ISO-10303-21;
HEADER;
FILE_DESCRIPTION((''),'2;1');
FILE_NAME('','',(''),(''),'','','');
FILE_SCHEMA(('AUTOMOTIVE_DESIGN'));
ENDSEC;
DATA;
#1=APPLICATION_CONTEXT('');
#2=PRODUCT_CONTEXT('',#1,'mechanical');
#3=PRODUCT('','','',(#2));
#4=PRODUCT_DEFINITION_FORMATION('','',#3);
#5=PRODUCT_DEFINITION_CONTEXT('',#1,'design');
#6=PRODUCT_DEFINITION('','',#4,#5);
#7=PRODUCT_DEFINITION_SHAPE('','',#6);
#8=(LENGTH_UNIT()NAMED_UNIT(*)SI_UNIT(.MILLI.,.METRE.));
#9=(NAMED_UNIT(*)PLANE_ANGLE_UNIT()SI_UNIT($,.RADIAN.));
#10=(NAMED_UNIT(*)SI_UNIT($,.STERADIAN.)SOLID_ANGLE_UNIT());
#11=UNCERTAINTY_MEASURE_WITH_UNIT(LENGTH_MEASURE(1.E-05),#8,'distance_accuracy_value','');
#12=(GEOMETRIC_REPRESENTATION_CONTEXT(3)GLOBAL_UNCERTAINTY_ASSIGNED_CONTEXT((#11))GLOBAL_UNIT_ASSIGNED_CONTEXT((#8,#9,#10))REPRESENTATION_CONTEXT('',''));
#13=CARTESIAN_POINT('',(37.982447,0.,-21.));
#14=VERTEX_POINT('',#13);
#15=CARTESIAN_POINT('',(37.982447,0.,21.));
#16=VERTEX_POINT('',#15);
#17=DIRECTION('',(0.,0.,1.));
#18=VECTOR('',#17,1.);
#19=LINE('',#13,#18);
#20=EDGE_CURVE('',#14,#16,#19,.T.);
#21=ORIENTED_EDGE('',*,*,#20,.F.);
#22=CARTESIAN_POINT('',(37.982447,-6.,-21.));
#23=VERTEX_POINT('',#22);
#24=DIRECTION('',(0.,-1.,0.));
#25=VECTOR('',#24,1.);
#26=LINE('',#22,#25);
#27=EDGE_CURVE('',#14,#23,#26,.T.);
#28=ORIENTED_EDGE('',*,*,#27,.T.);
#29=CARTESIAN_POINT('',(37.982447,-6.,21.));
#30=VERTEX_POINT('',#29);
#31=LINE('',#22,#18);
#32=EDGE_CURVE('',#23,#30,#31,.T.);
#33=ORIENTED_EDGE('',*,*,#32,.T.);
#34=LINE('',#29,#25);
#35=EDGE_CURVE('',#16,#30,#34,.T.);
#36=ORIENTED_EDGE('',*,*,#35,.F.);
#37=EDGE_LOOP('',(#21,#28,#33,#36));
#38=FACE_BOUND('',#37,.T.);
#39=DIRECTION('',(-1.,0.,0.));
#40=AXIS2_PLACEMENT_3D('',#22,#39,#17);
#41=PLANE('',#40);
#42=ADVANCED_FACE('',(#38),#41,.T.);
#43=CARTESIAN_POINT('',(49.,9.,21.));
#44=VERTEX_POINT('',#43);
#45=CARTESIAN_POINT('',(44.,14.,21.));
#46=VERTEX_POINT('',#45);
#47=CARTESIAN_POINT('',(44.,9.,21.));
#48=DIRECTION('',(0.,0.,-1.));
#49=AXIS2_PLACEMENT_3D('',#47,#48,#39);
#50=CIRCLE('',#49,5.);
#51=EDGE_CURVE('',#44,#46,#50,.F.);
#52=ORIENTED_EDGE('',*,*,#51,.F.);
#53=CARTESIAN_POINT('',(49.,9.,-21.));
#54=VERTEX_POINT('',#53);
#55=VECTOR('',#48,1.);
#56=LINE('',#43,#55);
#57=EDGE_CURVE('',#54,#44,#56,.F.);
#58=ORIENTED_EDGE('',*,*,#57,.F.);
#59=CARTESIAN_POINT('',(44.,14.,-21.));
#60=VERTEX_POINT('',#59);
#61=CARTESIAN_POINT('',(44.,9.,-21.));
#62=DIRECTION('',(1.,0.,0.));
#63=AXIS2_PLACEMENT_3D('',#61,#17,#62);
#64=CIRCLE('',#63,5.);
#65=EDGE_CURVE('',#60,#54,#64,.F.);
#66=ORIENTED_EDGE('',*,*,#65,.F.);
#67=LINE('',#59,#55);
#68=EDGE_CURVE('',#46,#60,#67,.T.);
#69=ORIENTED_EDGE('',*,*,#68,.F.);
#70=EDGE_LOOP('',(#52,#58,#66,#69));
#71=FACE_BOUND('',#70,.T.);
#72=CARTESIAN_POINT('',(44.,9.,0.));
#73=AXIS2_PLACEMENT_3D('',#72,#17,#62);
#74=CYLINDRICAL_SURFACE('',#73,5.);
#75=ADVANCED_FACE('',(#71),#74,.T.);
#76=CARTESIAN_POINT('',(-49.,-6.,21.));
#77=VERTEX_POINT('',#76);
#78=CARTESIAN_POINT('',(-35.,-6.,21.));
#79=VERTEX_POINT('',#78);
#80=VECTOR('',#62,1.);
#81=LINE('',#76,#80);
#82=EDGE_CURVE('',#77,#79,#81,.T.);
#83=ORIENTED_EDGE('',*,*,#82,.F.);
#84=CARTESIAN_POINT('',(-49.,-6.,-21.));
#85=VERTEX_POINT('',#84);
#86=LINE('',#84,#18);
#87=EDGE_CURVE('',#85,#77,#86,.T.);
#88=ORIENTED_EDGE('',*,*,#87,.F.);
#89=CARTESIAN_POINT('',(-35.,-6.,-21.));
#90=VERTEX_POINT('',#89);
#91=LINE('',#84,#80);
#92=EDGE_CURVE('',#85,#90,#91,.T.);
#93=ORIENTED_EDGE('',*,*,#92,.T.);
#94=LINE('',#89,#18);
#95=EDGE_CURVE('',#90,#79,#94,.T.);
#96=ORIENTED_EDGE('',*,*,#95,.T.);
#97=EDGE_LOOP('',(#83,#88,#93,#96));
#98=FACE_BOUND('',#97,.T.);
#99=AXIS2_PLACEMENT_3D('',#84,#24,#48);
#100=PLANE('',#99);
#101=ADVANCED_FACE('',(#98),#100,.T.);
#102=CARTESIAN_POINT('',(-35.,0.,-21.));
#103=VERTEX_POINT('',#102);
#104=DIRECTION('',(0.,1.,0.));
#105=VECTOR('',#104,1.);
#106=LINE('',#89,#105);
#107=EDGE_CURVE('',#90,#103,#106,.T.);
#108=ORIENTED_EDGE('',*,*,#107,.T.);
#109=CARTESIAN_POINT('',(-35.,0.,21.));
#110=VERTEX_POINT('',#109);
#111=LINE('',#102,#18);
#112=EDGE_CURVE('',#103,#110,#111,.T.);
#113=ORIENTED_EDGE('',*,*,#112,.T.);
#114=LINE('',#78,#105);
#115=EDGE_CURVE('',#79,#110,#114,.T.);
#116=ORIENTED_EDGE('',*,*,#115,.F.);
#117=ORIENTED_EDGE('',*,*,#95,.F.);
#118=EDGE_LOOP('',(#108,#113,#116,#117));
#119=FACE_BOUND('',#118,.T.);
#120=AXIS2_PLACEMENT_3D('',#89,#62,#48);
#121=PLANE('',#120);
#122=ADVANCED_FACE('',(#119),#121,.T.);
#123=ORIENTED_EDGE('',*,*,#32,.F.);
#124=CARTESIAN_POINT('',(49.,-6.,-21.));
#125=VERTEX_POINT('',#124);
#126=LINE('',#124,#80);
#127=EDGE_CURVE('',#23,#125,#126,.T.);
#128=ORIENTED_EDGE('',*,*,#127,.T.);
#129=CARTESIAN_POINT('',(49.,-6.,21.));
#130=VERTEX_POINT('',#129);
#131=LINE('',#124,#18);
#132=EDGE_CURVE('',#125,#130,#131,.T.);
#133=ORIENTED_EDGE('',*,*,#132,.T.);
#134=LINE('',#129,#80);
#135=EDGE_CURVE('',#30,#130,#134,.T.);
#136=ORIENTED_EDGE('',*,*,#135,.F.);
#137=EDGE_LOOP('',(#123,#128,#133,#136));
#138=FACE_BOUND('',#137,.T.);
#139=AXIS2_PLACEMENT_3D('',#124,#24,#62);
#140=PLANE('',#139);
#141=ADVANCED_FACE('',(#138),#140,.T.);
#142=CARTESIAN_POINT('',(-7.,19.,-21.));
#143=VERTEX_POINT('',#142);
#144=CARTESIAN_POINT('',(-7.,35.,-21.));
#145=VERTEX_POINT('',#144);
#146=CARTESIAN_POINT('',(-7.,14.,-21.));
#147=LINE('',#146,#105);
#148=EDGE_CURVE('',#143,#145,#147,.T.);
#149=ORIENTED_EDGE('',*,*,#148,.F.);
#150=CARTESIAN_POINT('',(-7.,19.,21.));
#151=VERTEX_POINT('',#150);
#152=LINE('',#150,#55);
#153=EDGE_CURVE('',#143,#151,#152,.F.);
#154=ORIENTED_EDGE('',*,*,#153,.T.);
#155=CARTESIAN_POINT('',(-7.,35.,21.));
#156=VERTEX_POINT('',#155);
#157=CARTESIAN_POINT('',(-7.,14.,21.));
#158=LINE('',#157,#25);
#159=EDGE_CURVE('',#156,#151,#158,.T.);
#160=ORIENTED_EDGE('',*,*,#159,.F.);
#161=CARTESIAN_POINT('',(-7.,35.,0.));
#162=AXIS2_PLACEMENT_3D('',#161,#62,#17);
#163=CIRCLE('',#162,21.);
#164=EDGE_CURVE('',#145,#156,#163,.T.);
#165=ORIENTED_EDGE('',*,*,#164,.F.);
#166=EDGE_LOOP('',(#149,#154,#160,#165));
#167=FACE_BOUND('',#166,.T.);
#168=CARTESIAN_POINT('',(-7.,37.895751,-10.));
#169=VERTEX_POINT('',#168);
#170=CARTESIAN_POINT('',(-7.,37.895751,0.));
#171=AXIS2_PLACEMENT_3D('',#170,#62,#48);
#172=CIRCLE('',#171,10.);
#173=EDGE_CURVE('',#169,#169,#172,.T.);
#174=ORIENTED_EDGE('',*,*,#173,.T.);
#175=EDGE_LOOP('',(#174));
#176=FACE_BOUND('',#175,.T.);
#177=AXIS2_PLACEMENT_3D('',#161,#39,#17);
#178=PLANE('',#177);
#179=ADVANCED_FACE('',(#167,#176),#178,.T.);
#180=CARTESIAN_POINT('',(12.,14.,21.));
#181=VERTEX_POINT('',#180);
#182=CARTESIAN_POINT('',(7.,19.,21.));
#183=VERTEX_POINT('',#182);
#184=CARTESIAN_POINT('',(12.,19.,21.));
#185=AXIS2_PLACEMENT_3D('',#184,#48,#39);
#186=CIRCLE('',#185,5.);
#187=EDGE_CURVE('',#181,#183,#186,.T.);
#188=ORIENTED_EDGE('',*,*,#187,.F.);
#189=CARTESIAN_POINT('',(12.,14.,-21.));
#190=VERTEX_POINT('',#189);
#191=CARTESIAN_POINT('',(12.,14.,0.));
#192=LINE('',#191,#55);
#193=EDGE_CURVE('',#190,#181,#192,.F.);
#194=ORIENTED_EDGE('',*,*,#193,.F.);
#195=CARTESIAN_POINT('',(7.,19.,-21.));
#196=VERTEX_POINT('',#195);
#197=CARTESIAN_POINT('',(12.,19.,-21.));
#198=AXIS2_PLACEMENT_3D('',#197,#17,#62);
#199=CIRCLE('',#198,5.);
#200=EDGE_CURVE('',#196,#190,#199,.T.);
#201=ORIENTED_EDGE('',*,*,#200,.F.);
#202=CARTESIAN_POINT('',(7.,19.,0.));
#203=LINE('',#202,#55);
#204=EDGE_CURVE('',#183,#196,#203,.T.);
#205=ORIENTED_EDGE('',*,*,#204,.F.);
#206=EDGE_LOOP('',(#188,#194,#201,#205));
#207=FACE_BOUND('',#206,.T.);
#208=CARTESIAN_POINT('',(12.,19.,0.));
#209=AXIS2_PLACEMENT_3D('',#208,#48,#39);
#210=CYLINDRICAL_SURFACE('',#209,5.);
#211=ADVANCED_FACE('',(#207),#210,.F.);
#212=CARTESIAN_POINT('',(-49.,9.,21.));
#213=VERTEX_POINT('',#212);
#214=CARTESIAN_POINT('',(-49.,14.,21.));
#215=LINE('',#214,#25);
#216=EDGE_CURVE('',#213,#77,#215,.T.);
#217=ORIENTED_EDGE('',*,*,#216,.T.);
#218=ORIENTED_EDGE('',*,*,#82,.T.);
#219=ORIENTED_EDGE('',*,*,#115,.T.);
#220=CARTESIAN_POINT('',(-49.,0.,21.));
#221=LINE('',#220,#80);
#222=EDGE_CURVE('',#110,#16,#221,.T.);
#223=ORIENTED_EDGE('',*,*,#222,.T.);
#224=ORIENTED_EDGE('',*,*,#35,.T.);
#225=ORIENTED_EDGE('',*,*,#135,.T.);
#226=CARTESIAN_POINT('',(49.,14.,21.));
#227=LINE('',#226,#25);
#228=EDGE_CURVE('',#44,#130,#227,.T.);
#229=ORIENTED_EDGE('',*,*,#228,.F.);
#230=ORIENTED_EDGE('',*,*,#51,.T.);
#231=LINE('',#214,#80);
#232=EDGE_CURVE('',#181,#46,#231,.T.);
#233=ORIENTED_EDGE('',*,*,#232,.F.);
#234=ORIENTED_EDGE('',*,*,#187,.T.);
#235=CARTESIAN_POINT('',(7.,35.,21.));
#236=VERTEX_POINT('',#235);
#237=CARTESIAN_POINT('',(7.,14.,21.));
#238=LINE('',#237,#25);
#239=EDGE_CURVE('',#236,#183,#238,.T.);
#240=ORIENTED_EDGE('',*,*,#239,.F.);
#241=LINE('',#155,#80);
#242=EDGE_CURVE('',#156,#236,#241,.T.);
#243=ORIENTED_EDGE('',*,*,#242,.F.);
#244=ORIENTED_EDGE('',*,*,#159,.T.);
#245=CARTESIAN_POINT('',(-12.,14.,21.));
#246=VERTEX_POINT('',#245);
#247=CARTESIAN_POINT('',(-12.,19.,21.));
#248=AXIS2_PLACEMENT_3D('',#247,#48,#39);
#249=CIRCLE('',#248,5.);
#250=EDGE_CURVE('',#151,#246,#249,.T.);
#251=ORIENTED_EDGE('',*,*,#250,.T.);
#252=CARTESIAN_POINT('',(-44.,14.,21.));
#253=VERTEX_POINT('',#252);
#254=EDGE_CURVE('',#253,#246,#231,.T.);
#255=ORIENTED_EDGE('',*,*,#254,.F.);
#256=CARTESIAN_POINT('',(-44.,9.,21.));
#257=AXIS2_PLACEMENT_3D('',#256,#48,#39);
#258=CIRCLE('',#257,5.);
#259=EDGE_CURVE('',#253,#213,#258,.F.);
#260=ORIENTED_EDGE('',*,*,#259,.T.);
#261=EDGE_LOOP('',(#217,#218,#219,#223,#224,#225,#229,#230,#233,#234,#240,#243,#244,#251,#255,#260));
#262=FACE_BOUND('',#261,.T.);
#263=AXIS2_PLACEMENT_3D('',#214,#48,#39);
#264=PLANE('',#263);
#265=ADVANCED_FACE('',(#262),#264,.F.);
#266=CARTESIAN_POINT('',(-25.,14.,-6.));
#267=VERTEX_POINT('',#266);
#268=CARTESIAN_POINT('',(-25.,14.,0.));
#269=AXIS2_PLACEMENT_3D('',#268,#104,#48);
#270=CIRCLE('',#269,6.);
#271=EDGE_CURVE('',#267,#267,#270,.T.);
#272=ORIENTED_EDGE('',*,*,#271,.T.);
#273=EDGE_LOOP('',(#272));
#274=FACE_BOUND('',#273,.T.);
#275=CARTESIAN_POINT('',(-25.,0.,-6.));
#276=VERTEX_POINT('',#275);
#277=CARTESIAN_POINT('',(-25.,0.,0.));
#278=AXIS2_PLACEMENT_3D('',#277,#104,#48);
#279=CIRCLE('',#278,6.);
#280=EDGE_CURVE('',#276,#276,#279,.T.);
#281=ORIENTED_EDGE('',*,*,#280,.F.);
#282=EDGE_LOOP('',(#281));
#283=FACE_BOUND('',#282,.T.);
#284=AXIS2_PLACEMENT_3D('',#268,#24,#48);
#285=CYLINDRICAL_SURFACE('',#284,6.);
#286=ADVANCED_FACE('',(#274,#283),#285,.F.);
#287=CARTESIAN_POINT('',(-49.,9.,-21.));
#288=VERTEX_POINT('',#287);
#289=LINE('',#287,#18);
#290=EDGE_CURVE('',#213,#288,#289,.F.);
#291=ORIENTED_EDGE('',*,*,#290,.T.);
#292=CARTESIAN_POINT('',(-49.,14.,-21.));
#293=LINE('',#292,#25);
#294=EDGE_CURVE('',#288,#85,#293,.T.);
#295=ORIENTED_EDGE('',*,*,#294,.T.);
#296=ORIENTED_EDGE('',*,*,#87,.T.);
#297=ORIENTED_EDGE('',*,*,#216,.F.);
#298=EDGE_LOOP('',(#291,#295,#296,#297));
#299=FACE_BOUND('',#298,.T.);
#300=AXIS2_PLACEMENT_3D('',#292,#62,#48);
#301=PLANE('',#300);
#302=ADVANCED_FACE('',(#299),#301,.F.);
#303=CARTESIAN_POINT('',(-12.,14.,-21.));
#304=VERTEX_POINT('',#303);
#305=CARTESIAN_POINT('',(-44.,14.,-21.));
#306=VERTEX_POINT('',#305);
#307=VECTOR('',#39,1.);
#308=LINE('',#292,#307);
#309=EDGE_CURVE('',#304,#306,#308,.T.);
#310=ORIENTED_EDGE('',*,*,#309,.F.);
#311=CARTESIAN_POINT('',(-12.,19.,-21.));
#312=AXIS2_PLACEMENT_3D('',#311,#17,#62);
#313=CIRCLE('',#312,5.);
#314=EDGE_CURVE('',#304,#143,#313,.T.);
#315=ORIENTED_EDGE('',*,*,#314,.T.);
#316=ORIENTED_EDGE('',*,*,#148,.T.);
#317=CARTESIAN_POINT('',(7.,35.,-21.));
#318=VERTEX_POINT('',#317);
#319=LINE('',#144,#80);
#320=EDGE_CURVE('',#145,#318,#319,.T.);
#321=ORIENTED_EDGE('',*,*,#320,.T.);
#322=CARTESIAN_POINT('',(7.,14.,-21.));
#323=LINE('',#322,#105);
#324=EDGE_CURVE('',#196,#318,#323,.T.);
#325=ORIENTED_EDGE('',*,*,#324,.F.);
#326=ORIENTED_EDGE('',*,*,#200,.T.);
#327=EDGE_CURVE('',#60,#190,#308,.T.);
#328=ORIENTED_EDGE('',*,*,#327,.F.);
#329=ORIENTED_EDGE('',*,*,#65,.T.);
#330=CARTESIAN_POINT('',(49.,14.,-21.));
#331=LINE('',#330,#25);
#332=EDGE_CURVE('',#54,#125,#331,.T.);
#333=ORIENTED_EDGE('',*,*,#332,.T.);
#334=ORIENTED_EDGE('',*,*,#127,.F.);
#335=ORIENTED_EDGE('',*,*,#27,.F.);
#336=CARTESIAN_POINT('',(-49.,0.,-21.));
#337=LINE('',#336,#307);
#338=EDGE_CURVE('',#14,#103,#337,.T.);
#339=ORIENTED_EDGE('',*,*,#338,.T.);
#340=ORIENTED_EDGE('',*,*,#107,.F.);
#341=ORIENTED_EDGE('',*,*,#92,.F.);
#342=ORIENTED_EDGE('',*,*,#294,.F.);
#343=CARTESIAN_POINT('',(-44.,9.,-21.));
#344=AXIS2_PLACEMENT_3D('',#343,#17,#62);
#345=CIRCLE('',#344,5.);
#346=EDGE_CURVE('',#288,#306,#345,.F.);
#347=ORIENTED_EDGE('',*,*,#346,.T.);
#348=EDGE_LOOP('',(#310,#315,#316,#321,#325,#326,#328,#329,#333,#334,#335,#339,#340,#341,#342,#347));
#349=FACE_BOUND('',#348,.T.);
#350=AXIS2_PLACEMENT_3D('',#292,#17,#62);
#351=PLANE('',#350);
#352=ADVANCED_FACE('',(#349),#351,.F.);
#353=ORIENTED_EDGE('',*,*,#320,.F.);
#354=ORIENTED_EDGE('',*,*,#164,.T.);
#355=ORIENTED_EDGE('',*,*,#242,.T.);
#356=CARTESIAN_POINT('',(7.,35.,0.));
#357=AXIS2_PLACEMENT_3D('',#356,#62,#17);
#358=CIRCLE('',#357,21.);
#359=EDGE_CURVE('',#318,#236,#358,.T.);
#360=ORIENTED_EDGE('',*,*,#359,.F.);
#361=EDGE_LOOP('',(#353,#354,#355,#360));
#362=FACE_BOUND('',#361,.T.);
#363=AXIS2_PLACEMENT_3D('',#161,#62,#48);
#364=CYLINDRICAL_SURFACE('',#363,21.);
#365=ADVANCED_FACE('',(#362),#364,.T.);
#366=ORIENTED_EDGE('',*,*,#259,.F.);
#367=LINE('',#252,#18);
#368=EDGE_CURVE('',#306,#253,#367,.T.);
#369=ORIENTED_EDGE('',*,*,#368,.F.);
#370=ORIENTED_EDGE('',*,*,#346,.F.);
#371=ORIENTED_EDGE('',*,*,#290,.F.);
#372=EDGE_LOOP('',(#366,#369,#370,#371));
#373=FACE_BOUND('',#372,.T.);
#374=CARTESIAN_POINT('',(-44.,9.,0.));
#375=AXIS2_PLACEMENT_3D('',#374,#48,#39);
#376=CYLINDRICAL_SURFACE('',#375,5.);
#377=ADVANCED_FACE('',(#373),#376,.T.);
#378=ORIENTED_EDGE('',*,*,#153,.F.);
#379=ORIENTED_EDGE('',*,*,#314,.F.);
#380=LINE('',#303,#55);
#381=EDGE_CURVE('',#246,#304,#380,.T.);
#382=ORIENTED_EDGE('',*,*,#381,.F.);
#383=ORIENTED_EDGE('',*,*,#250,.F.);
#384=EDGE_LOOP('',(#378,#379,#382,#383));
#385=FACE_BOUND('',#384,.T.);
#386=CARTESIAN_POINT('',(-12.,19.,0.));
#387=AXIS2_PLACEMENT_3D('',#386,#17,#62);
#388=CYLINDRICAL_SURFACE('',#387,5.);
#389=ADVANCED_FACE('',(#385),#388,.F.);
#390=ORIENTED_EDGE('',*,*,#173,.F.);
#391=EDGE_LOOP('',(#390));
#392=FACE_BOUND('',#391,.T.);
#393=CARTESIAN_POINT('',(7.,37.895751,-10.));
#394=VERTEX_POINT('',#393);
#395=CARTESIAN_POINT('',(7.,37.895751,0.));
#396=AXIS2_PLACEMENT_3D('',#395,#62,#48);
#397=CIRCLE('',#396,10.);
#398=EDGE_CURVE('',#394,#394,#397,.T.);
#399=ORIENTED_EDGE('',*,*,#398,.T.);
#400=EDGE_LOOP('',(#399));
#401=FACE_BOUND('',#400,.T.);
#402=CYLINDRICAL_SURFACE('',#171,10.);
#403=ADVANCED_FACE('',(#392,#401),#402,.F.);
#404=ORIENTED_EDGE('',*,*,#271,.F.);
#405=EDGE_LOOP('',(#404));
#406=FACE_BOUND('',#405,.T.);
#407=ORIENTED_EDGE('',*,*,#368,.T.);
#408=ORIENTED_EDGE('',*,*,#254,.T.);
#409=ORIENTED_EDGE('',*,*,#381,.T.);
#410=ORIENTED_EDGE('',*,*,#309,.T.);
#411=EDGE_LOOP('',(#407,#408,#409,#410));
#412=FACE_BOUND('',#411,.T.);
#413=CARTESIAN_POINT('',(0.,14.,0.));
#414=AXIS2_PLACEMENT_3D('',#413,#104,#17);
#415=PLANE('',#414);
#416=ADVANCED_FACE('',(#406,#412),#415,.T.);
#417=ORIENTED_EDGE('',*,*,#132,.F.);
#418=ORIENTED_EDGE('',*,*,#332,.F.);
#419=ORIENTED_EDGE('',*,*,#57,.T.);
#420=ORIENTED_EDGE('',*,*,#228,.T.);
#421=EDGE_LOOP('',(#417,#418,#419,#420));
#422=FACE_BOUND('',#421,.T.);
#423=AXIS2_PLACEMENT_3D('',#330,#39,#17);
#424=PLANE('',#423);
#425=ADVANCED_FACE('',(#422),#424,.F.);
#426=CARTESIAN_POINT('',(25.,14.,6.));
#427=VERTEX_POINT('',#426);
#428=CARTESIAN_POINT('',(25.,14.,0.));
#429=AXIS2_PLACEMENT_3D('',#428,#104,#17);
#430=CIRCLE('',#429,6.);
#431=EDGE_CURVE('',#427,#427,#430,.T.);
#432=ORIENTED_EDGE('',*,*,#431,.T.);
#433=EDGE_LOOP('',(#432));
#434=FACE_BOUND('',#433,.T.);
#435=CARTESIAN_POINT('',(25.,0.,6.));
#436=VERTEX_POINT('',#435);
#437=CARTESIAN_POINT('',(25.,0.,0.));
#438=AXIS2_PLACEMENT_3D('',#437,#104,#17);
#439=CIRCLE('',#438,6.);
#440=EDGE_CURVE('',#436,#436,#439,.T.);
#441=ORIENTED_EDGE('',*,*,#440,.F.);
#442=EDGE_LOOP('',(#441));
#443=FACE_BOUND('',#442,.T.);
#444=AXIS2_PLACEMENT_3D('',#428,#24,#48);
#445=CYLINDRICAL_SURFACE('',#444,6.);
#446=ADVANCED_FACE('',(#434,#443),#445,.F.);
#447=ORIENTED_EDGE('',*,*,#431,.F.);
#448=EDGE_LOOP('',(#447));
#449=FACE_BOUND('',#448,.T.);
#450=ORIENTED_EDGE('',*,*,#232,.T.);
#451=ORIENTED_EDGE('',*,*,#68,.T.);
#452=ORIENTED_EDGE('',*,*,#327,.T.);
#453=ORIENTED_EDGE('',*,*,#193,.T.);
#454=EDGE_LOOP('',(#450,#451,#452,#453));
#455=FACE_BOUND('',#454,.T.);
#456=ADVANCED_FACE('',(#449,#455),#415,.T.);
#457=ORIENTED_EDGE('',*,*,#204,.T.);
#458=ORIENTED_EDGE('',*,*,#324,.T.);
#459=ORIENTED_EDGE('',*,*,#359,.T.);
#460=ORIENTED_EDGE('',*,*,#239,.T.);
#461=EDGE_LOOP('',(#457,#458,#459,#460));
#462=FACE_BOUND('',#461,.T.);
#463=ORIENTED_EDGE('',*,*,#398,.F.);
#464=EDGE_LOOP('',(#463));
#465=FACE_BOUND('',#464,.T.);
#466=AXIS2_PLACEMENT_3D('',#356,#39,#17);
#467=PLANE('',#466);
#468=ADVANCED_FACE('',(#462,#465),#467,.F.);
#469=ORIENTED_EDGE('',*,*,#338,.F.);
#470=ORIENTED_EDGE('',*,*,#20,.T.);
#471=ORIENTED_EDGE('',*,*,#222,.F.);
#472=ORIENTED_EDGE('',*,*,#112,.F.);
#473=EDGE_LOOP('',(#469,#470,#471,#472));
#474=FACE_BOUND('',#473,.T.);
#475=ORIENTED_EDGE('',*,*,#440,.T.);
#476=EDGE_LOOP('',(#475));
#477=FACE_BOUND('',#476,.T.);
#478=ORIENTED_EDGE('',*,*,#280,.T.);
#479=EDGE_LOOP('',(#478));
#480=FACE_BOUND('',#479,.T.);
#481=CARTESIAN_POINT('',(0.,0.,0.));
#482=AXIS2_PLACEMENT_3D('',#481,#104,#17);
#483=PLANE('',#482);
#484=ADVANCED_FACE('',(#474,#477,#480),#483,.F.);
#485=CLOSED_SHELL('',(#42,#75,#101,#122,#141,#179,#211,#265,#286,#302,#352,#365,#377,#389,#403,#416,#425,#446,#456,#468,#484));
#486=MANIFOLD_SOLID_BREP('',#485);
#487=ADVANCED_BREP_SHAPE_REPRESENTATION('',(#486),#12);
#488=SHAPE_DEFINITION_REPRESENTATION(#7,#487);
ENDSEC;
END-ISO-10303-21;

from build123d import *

# Parameters (mm, degrees)
SKETCH1_W                = 98
SKETCH1_H                = 42
BOSS_EXTRUDE1_DEPTH      = 14
BOSS_EXTRUDE2_DEPTH      = 21
BOSS_EXTRUDE2_DEPTH_BACK = 21
SKETCH2_W                = 11.017552575
SKETCH2_H                = 6
FILLET1_R                = 5
SKETCH3_W                = 14
SKETCH3_H                = 6
BOSS_EXTRUDE3_DEPTH      = 42
FILLET2_R                = 5
SKETCH4_R                = 6
CUT_EXTRUDE1_DEPTH       = 14
BOSS_EXTRUDE4_DEPTH      = 7
BOSS_EXTRUDE4_DEPTH_BACK = 7
SKETCH5_R                = 10
FILLET3_R                = 5
FILLET4_R                = 5


with BuildPart() as part:
    # Sketch1 → Boss-Extrude1 (new body)
    with BuildSketch(Plane(origin=(0, 0, 0), x_dir=(1, 0, 0), z_dir=(0, 1, 0))):
        Rectangle(SKETCH1_W, SKETCH1_H)
    extrude(amount=BOSS_EXTRUDE1_DEPTH)

    # Sketch2 → Boss-Extrude2 (add, two sides: drawn at the far end of the back side and taken through both)
    with BuildSketch(Plane.XY.offset(-BOSS_EXTRUDE2_DEPTH_BACK)):
        with Locations((43.491223713, -3)):
            Rectangle(SKETCH2_W, SKETCH2_H)
    extrude(amount=BOSS_EXTRUDE2_DEPTH + BOSS_EXTRUDE2_DEPTH_BACK)

    # Fillet1
    fillet1_edges = [part.edges().sort_by_distance(p)[0] for p in [
        (49, 14, 0),
    ]]
    fillet(fillet1_edges, radius=FILLET1_R)

    # Sketch3 → Boss-Extrude3 (add)
    with BuildSketch(Plane.XY.offset(21)):
        with Locations((-42, -3)):
            Rectangle(SKETCH3_W, SKETCH3_H)
    extrude(amount=-BOSS_EXTRUDE3_DEPTH)

    # Fillet2
    fillet2_edges = [part.edges().sort_by_distance(p)[0] for p in [
        (-49, 14, 0),
    ]]
    fillet(fillet2_edges, radius=FILLET2_R)

    # Sketch4 → Cut-Extrude1 (cut)
    with BuildSketch(Plane(origin=(0, 0, 0), x_dir=(1, 0, 0), z_dir=(0, 1, 0))):
        with Locations((25, 0)):
            Circle(SKETCH4_R)
        with Locations((-25, 0)):
            Circle(SKETCH4_R)
    extrude(amount=CUT_EXTRUDE1_DEPTH, mode=Mode.SUBTRACT)

    # Sketch5 → Boss-Extrude4 (add, two sides: drawn at the far end of the back side and taken through both)
    with BuildSketch(Plane(origin=(0, 0, 0), x_dir=(0, 0, -1), z_dir=(1, 0, 0)).offset(-BOSS_EXTRUDE4_DEPTH_BACK)):
        with BuildLine():
            Line((-21, 14), (-21, 35))
            ThreePointArc((-21, 35), (0, 56), (21, 35))
            Line((21, 35), (21, 14))
            Line((21, 14), (-21, 14))
        make_face()
        with Locations((0, 37.895751368)):
            Circle(SKETCH5_R, mode=Mode.SUBTRACT)
    extrude(amount=BOSS_EXTRUDE4_DEPTH + BOSS_EXTRUDE4_DEPTH_BACK)

    # Fillet3
    fillet3_edges = [part.edges().sort_by_distance(p)[0] for p in [
        (7, 14, 0),
    ]]
    fillet(fillet3_edges, radius=FILLET3_R)

    # Fillet4
    fillet4_edges = [part.edges().sort_by_distance(p)[0] for p in [
        (-7, 14, 0),
    ]]
    fillet(fillet4_edges, radius=FILLET4_R)


solid = part.part
